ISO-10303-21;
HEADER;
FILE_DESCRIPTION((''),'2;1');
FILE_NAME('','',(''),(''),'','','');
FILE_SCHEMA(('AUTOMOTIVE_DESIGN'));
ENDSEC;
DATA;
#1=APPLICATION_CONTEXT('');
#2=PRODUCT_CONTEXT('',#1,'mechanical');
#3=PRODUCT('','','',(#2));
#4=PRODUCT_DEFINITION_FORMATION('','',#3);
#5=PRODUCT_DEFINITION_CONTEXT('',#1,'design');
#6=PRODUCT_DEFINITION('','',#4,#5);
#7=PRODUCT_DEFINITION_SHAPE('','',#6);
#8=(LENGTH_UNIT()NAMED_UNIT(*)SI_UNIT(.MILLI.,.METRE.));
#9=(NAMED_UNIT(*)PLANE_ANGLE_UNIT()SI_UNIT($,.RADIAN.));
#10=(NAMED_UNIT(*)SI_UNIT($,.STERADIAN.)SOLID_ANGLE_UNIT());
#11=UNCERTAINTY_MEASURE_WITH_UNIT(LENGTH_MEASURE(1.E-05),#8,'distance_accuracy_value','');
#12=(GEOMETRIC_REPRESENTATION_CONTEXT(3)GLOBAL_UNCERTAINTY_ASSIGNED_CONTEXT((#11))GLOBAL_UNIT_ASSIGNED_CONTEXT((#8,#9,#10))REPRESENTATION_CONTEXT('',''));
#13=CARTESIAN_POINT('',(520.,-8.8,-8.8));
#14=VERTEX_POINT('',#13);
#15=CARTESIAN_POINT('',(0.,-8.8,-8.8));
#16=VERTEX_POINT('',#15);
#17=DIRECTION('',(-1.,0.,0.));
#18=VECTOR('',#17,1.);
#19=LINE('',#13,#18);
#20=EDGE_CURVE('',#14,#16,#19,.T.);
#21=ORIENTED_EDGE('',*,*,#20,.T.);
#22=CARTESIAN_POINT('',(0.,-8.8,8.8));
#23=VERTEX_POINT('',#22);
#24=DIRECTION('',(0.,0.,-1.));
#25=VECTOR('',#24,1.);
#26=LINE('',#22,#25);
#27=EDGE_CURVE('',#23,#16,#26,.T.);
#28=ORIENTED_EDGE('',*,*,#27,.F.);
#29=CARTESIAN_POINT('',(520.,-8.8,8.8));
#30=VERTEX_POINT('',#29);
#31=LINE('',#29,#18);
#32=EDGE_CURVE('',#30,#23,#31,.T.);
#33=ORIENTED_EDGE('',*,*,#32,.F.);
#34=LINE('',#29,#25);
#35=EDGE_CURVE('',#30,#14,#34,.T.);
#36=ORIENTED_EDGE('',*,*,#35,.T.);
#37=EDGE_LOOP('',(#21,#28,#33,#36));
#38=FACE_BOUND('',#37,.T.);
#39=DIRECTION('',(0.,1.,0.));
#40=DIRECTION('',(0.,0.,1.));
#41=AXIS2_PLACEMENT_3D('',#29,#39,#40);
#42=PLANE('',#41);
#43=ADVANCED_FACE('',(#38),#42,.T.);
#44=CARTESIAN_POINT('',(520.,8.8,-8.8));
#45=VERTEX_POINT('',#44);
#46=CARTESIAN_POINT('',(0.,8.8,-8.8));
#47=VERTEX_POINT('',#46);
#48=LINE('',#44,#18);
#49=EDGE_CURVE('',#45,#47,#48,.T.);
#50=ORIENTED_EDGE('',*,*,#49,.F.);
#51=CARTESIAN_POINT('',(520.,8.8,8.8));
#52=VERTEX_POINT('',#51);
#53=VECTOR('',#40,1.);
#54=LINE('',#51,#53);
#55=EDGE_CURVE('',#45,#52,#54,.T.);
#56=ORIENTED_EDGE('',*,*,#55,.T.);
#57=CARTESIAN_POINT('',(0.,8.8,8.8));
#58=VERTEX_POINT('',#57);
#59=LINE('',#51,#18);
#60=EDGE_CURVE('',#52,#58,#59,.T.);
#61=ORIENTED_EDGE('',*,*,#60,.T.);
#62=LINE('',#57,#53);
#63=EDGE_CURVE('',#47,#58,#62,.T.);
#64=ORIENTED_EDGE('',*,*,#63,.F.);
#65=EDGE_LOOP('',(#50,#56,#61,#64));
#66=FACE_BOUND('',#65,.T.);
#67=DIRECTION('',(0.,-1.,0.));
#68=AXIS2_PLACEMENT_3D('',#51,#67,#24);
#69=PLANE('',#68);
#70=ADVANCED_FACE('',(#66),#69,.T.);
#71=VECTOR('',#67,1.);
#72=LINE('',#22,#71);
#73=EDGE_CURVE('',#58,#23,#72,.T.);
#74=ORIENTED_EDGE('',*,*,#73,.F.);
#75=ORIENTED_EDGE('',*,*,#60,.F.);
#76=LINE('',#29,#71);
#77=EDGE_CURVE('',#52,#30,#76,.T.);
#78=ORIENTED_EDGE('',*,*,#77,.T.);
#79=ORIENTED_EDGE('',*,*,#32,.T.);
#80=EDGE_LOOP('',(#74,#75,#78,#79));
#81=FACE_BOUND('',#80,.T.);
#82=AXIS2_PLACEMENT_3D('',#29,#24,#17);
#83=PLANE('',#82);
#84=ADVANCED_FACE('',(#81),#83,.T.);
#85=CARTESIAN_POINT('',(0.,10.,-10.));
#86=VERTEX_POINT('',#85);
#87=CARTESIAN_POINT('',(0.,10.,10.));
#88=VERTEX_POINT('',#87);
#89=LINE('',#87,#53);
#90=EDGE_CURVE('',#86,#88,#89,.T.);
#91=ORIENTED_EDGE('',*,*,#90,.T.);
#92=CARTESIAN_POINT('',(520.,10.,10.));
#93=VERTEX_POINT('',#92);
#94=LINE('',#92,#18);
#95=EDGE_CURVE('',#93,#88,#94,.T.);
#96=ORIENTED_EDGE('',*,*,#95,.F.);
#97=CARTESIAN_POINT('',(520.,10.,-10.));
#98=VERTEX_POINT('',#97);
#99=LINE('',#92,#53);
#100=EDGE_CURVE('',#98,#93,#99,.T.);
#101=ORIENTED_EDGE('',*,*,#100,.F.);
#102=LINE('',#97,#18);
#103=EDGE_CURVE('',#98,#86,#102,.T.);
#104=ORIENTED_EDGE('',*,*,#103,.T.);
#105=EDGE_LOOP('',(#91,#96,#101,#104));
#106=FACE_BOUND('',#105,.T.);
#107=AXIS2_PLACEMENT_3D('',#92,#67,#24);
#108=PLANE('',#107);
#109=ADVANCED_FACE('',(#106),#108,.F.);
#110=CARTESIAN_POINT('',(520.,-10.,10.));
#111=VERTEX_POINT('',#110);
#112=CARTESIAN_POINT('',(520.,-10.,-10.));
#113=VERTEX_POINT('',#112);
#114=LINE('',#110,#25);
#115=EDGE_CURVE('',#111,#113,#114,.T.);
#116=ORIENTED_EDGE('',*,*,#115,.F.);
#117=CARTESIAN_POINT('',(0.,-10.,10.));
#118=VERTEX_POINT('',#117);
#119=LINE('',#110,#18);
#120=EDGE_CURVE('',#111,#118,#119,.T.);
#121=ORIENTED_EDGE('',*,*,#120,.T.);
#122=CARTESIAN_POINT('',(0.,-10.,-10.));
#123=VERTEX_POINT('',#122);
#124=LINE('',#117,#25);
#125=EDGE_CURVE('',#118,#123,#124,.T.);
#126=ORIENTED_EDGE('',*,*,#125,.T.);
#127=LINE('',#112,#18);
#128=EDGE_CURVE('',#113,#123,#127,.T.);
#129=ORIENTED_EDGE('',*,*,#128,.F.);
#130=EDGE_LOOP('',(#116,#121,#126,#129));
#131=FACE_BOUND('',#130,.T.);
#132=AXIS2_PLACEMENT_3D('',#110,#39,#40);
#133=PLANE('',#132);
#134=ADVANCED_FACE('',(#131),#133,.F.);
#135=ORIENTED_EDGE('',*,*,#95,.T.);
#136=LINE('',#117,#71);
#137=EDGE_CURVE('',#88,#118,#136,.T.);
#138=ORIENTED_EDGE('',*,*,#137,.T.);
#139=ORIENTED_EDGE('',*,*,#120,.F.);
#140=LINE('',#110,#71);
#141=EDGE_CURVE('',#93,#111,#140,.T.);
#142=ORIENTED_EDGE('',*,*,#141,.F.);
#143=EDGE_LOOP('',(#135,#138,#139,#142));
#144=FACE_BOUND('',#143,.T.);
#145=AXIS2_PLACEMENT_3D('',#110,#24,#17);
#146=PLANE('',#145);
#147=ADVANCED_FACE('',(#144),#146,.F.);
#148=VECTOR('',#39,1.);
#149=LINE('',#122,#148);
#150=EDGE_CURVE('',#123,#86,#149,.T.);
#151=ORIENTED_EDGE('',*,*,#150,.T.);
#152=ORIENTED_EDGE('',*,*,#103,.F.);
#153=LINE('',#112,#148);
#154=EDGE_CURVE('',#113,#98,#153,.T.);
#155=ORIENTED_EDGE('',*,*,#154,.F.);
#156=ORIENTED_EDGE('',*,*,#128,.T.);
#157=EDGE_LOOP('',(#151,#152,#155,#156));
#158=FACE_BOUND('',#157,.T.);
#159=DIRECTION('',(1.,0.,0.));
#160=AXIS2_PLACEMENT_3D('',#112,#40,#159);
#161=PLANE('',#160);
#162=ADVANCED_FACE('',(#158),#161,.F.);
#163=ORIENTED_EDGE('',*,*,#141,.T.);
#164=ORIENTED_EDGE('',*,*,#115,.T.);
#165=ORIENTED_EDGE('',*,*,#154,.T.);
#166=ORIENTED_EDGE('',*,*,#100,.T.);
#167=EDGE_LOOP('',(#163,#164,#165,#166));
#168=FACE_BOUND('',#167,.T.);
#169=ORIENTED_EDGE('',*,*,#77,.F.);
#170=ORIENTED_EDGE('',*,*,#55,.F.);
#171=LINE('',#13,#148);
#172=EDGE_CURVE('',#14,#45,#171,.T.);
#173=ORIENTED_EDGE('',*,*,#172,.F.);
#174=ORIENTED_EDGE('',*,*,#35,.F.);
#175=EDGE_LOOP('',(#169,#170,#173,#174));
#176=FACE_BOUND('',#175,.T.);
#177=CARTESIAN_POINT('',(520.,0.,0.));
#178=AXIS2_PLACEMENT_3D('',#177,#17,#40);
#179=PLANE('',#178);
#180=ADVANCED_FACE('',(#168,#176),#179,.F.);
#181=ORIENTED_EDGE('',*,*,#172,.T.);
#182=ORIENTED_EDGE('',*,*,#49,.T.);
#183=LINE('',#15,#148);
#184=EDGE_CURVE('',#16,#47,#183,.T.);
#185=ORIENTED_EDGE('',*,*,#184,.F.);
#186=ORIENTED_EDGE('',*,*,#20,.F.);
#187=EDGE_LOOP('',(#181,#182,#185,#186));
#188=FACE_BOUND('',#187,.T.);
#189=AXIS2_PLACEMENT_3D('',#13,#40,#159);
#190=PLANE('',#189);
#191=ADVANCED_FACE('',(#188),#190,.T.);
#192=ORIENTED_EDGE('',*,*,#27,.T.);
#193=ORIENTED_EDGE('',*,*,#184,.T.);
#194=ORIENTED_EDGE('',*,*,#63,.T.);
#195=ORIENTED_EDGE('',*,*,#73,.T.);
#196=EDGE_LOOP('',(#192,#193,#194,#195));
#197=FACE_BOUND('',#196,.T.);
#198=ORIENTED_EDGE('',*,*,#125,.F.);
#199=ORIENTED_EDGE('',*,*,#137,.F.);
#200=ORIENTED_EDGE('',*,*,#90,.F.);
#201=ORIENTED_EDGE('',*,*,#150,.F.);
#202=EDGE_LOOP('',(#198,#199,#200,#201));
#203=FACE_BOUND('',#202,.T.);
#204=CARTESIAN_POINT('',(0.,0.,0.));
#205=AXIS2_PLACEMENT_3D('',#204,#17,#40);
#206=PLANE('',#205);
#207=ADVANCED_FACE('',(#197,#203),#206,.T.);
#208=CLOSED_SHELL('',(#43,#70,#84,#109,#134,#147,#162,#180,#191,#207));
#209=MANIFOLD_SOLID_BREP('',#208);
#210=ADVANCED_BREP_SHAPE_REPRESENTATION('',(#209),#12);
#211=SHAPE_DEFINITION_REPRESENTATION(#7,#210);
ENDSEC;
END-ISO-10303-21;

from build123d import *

# Parameters (mm, degrees)
SKETCH1_W           = 20
SKETCH1_H           = 20
SKETCH1_W_2         = 17.6
SKETCH1_H_2         = 17.6
BOSS_EXTRUDE1_DEPTH = 520


with BuildPart() as part:
    # Sketch1 → Boss-Extrude1 (new body)
    with BuildSketch(Plane(origin=(0, 0, 0), x_dir=(0, 0, -1), z_dir=(1, 0, 0))):
        Rectangle(SKETCH1_W, SKETCH1_H)
        Rectangle(SKETCH1_W_2, SKETCH1_H_2, mode=Mode.SUBTRACT)
    extrude(amount=BOSS_EXTRUDE1_DEPTH)


solid = part.part
